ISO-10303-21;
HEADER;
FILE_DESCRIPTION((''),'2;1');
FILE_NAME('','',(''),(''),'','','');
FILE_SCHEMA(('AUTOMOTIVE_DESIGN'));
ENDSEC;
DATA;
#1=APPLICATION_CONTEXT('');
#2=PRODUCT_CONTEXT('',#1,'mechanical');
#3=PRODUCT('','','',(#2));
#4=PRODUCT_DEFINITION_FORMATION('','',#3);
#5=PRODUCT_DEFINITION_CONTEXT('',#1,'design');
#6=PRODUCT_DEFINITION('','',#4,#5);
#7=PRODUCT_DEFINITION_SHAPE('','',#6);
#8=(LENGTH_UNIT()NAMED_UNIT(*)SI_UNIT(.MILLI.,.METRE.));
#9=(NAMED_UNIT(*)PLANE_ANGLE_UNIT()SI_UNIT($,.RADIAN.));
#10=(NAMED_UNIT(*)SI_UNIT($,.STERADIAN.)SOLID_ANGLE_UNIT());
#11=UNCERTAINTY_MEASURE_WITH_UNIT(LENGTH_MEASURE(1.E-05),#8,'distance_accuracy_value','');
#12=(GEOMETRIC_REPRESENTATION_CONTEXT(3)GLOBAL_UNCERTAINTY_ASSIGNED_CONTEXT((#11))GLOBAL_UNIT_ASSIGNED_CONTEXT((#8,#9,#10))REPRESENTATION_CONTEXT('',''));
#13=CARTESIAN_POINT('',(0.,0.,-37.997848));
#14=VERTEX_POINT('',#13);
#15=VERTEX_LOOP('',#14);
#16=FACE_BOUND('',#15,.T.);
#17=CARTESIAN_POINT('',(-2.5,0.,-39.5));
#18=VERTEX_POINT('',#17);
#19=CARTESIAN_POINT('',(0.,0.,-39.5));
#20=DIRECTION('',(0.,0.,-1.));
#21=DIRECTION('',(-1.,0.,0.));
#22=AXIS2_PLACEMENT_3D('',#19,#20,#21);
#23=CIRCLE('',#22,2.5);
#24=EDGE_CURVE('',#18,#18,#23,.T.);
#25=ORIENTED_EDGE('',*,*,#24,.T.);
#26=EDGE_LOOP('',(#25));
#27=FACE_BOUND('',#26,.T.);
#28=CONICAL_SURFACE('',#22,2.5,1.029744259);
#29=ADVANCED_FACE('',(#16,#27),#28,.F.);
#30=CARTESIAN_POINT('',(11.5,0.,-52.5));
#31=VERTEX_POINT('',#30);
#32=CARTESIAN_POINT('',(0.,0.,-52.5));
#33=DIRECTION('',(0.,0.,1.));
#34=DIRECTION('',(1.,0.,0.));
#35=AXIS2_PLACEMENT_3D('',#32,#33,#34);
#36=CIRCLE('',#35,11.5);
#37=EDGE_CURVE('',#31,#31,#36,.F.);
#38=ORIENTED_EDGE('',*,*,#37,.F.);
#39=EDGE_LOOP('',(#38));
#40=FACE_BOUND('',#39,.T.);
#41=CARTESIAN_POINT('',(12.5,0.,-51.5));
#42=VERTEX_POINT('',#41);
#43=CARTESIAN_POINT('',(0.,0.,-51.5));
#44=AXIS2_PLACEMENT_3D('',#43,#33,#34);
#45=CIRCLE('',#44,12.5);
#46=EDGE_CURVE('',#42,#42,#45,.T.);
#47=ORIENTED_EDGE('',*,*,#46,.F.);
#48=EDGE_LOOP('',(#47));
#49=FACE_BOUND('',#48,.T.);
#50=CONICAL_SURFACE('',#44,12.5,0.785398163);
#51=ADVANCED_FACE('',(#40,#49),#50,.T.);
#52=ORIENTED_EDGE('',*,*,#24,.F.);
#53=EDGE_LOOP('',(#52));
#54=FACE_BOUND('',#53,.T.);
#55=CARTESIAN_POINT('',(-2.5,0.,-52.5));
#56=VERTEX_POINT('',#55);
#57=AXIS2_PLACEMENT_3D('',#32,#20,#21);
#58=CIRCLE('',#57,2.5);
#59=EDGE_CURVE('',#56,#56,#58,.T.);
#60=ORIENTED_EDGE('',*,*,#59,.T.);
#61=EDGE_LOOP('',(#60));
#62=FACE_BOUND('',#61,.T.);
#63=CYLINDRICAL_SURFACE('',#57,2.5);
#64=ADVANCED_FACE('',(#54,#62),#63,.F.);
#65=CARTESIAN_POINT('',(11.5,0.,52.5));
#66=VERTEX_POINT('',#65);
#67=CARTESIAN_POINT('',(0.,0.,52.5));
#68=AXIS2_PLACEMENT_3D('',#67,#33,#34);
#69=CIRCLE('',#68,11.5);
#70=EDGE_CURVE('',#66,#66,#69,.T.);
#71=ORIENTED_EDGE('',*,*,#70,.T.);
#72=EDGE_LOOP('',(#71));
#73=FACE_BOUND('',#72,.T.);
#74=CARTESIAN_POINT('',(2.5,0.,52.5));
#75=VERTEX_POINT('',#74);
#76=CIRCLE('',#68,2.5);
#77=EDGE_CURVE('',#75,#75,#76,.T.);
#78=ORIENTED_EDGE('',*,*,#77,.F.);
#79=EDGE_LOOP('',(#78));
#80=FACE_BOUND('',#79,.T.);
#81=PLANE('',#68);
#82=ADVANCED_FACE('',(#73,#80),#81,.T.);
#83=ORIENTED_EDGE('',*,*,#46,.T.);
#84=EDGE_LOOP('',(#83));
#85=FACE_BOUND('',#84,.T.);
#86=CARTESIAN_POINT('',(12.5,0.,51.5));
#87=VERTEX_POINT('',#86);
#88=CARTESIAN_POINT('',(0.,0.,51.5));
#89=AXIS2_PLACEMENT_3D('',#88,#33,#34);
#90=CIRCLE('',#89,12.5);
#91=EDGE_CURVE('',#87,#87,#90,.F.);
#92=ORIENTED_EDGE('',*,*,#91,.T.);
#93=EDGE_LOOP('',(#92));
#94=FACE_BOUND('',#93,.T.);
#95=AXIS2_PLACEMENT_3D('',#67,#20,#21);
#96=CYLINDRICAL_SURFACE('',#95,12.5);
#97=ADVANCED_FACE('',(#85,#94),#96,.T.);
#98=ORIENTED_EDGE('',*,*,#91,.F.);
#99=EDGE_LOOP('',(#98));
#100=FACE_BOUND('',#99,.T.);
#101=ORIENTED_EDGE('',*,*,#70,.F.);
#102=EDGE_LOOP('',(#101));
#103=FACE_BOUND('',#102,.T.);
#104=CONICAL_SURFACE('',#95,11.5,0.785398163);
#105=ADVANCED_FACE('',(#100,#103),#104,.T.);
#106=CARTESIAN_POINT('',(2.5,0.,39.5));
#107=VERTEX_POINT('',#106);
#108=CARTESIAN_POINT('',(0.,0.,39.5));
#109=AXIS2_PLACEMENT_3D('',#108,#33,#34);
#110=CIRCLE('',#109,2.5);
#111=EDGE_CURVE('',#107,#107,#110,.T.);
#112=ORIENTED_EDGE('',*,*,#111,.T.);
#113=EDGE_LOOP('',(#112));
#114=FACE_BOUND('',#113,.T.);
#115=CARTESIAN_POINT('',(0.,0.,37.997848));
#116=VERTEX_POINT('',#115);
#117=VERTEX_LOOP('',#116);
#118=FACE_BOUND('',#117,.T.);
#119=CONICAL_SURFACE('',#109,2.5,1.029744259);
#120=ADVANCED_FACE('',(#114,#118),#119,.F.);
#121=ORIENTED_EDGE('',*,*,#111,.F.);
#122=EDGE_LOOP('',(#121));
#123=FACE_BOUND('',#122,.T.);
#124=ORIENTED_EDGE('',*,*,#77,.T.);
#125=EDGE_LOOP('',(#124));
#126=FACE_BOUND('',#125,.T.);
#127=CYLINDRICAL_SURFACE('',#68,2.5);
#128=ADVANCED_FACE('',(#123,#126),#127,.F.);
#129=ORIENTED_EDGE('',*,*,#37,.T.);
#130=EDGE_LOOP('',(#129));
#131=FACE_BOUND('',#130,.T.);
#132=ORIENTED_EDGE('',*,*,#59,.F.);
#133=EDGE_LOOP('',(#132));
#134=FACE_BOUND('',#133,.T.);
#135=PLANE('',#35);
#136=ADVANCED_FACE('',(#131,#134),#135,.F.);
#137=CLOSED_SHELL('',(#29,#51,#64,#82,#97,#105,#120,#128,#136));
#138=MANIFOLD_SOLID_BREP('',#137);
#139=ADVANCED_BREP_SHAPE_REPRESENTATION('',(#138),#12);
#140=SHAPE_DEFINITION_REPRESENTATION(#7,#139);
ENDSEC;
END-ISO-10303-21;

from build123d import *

# Parameters (mm, degrees)
SKETCH1_R           = 12.5
BOSS_EXTRUDE1_DEPTH = 52.5
CHAMFER1_SIZE       = 1


with BuildPart() as part:
    # Sketch1 → Boss-Extrude1 (new body, symmetric)
    with BuildSketch(Plane.XY):
        Circle(SKETCH1_R)
    extrude(amount=BOSS_EXTRUDE1_DEPTH, both=True)

    # Chamfer1
    chamfer1_edges = [part.edges().sort_by_distance(p)[0] for p in [
        (-12.5, 0, -52.5),
        (-12.5, 0, 52.5),
    ]]
    chamfer(chamfer1_edges, length=CHAMFER1_SIZE)

    # Sketch4 → Tap Drill for M6 Tap1 (revolve, cut)
    with BuildSketch(Plane(origin=(0, 0, 52.5), x_dir=(0, -1, 0), z_dir=(1, 0, 0))):
        Polygon((0, 0), (0, 14.502151548), (2.5, 13), (2.5, 0), align=None)
    tap_drill_for_m6_tap1 = revolve(axis=Axis((0, 0, 58.85), (0, 0, -1)), mode=Mode.SUBTRACT)

    # Mirror1: Tap Drill for M6 Tap1 across plane
    add(tap_drill_for_m6_tap1.mirror(Plane.XY), mode=Mode.SUBTRACT)


solid = part.part
